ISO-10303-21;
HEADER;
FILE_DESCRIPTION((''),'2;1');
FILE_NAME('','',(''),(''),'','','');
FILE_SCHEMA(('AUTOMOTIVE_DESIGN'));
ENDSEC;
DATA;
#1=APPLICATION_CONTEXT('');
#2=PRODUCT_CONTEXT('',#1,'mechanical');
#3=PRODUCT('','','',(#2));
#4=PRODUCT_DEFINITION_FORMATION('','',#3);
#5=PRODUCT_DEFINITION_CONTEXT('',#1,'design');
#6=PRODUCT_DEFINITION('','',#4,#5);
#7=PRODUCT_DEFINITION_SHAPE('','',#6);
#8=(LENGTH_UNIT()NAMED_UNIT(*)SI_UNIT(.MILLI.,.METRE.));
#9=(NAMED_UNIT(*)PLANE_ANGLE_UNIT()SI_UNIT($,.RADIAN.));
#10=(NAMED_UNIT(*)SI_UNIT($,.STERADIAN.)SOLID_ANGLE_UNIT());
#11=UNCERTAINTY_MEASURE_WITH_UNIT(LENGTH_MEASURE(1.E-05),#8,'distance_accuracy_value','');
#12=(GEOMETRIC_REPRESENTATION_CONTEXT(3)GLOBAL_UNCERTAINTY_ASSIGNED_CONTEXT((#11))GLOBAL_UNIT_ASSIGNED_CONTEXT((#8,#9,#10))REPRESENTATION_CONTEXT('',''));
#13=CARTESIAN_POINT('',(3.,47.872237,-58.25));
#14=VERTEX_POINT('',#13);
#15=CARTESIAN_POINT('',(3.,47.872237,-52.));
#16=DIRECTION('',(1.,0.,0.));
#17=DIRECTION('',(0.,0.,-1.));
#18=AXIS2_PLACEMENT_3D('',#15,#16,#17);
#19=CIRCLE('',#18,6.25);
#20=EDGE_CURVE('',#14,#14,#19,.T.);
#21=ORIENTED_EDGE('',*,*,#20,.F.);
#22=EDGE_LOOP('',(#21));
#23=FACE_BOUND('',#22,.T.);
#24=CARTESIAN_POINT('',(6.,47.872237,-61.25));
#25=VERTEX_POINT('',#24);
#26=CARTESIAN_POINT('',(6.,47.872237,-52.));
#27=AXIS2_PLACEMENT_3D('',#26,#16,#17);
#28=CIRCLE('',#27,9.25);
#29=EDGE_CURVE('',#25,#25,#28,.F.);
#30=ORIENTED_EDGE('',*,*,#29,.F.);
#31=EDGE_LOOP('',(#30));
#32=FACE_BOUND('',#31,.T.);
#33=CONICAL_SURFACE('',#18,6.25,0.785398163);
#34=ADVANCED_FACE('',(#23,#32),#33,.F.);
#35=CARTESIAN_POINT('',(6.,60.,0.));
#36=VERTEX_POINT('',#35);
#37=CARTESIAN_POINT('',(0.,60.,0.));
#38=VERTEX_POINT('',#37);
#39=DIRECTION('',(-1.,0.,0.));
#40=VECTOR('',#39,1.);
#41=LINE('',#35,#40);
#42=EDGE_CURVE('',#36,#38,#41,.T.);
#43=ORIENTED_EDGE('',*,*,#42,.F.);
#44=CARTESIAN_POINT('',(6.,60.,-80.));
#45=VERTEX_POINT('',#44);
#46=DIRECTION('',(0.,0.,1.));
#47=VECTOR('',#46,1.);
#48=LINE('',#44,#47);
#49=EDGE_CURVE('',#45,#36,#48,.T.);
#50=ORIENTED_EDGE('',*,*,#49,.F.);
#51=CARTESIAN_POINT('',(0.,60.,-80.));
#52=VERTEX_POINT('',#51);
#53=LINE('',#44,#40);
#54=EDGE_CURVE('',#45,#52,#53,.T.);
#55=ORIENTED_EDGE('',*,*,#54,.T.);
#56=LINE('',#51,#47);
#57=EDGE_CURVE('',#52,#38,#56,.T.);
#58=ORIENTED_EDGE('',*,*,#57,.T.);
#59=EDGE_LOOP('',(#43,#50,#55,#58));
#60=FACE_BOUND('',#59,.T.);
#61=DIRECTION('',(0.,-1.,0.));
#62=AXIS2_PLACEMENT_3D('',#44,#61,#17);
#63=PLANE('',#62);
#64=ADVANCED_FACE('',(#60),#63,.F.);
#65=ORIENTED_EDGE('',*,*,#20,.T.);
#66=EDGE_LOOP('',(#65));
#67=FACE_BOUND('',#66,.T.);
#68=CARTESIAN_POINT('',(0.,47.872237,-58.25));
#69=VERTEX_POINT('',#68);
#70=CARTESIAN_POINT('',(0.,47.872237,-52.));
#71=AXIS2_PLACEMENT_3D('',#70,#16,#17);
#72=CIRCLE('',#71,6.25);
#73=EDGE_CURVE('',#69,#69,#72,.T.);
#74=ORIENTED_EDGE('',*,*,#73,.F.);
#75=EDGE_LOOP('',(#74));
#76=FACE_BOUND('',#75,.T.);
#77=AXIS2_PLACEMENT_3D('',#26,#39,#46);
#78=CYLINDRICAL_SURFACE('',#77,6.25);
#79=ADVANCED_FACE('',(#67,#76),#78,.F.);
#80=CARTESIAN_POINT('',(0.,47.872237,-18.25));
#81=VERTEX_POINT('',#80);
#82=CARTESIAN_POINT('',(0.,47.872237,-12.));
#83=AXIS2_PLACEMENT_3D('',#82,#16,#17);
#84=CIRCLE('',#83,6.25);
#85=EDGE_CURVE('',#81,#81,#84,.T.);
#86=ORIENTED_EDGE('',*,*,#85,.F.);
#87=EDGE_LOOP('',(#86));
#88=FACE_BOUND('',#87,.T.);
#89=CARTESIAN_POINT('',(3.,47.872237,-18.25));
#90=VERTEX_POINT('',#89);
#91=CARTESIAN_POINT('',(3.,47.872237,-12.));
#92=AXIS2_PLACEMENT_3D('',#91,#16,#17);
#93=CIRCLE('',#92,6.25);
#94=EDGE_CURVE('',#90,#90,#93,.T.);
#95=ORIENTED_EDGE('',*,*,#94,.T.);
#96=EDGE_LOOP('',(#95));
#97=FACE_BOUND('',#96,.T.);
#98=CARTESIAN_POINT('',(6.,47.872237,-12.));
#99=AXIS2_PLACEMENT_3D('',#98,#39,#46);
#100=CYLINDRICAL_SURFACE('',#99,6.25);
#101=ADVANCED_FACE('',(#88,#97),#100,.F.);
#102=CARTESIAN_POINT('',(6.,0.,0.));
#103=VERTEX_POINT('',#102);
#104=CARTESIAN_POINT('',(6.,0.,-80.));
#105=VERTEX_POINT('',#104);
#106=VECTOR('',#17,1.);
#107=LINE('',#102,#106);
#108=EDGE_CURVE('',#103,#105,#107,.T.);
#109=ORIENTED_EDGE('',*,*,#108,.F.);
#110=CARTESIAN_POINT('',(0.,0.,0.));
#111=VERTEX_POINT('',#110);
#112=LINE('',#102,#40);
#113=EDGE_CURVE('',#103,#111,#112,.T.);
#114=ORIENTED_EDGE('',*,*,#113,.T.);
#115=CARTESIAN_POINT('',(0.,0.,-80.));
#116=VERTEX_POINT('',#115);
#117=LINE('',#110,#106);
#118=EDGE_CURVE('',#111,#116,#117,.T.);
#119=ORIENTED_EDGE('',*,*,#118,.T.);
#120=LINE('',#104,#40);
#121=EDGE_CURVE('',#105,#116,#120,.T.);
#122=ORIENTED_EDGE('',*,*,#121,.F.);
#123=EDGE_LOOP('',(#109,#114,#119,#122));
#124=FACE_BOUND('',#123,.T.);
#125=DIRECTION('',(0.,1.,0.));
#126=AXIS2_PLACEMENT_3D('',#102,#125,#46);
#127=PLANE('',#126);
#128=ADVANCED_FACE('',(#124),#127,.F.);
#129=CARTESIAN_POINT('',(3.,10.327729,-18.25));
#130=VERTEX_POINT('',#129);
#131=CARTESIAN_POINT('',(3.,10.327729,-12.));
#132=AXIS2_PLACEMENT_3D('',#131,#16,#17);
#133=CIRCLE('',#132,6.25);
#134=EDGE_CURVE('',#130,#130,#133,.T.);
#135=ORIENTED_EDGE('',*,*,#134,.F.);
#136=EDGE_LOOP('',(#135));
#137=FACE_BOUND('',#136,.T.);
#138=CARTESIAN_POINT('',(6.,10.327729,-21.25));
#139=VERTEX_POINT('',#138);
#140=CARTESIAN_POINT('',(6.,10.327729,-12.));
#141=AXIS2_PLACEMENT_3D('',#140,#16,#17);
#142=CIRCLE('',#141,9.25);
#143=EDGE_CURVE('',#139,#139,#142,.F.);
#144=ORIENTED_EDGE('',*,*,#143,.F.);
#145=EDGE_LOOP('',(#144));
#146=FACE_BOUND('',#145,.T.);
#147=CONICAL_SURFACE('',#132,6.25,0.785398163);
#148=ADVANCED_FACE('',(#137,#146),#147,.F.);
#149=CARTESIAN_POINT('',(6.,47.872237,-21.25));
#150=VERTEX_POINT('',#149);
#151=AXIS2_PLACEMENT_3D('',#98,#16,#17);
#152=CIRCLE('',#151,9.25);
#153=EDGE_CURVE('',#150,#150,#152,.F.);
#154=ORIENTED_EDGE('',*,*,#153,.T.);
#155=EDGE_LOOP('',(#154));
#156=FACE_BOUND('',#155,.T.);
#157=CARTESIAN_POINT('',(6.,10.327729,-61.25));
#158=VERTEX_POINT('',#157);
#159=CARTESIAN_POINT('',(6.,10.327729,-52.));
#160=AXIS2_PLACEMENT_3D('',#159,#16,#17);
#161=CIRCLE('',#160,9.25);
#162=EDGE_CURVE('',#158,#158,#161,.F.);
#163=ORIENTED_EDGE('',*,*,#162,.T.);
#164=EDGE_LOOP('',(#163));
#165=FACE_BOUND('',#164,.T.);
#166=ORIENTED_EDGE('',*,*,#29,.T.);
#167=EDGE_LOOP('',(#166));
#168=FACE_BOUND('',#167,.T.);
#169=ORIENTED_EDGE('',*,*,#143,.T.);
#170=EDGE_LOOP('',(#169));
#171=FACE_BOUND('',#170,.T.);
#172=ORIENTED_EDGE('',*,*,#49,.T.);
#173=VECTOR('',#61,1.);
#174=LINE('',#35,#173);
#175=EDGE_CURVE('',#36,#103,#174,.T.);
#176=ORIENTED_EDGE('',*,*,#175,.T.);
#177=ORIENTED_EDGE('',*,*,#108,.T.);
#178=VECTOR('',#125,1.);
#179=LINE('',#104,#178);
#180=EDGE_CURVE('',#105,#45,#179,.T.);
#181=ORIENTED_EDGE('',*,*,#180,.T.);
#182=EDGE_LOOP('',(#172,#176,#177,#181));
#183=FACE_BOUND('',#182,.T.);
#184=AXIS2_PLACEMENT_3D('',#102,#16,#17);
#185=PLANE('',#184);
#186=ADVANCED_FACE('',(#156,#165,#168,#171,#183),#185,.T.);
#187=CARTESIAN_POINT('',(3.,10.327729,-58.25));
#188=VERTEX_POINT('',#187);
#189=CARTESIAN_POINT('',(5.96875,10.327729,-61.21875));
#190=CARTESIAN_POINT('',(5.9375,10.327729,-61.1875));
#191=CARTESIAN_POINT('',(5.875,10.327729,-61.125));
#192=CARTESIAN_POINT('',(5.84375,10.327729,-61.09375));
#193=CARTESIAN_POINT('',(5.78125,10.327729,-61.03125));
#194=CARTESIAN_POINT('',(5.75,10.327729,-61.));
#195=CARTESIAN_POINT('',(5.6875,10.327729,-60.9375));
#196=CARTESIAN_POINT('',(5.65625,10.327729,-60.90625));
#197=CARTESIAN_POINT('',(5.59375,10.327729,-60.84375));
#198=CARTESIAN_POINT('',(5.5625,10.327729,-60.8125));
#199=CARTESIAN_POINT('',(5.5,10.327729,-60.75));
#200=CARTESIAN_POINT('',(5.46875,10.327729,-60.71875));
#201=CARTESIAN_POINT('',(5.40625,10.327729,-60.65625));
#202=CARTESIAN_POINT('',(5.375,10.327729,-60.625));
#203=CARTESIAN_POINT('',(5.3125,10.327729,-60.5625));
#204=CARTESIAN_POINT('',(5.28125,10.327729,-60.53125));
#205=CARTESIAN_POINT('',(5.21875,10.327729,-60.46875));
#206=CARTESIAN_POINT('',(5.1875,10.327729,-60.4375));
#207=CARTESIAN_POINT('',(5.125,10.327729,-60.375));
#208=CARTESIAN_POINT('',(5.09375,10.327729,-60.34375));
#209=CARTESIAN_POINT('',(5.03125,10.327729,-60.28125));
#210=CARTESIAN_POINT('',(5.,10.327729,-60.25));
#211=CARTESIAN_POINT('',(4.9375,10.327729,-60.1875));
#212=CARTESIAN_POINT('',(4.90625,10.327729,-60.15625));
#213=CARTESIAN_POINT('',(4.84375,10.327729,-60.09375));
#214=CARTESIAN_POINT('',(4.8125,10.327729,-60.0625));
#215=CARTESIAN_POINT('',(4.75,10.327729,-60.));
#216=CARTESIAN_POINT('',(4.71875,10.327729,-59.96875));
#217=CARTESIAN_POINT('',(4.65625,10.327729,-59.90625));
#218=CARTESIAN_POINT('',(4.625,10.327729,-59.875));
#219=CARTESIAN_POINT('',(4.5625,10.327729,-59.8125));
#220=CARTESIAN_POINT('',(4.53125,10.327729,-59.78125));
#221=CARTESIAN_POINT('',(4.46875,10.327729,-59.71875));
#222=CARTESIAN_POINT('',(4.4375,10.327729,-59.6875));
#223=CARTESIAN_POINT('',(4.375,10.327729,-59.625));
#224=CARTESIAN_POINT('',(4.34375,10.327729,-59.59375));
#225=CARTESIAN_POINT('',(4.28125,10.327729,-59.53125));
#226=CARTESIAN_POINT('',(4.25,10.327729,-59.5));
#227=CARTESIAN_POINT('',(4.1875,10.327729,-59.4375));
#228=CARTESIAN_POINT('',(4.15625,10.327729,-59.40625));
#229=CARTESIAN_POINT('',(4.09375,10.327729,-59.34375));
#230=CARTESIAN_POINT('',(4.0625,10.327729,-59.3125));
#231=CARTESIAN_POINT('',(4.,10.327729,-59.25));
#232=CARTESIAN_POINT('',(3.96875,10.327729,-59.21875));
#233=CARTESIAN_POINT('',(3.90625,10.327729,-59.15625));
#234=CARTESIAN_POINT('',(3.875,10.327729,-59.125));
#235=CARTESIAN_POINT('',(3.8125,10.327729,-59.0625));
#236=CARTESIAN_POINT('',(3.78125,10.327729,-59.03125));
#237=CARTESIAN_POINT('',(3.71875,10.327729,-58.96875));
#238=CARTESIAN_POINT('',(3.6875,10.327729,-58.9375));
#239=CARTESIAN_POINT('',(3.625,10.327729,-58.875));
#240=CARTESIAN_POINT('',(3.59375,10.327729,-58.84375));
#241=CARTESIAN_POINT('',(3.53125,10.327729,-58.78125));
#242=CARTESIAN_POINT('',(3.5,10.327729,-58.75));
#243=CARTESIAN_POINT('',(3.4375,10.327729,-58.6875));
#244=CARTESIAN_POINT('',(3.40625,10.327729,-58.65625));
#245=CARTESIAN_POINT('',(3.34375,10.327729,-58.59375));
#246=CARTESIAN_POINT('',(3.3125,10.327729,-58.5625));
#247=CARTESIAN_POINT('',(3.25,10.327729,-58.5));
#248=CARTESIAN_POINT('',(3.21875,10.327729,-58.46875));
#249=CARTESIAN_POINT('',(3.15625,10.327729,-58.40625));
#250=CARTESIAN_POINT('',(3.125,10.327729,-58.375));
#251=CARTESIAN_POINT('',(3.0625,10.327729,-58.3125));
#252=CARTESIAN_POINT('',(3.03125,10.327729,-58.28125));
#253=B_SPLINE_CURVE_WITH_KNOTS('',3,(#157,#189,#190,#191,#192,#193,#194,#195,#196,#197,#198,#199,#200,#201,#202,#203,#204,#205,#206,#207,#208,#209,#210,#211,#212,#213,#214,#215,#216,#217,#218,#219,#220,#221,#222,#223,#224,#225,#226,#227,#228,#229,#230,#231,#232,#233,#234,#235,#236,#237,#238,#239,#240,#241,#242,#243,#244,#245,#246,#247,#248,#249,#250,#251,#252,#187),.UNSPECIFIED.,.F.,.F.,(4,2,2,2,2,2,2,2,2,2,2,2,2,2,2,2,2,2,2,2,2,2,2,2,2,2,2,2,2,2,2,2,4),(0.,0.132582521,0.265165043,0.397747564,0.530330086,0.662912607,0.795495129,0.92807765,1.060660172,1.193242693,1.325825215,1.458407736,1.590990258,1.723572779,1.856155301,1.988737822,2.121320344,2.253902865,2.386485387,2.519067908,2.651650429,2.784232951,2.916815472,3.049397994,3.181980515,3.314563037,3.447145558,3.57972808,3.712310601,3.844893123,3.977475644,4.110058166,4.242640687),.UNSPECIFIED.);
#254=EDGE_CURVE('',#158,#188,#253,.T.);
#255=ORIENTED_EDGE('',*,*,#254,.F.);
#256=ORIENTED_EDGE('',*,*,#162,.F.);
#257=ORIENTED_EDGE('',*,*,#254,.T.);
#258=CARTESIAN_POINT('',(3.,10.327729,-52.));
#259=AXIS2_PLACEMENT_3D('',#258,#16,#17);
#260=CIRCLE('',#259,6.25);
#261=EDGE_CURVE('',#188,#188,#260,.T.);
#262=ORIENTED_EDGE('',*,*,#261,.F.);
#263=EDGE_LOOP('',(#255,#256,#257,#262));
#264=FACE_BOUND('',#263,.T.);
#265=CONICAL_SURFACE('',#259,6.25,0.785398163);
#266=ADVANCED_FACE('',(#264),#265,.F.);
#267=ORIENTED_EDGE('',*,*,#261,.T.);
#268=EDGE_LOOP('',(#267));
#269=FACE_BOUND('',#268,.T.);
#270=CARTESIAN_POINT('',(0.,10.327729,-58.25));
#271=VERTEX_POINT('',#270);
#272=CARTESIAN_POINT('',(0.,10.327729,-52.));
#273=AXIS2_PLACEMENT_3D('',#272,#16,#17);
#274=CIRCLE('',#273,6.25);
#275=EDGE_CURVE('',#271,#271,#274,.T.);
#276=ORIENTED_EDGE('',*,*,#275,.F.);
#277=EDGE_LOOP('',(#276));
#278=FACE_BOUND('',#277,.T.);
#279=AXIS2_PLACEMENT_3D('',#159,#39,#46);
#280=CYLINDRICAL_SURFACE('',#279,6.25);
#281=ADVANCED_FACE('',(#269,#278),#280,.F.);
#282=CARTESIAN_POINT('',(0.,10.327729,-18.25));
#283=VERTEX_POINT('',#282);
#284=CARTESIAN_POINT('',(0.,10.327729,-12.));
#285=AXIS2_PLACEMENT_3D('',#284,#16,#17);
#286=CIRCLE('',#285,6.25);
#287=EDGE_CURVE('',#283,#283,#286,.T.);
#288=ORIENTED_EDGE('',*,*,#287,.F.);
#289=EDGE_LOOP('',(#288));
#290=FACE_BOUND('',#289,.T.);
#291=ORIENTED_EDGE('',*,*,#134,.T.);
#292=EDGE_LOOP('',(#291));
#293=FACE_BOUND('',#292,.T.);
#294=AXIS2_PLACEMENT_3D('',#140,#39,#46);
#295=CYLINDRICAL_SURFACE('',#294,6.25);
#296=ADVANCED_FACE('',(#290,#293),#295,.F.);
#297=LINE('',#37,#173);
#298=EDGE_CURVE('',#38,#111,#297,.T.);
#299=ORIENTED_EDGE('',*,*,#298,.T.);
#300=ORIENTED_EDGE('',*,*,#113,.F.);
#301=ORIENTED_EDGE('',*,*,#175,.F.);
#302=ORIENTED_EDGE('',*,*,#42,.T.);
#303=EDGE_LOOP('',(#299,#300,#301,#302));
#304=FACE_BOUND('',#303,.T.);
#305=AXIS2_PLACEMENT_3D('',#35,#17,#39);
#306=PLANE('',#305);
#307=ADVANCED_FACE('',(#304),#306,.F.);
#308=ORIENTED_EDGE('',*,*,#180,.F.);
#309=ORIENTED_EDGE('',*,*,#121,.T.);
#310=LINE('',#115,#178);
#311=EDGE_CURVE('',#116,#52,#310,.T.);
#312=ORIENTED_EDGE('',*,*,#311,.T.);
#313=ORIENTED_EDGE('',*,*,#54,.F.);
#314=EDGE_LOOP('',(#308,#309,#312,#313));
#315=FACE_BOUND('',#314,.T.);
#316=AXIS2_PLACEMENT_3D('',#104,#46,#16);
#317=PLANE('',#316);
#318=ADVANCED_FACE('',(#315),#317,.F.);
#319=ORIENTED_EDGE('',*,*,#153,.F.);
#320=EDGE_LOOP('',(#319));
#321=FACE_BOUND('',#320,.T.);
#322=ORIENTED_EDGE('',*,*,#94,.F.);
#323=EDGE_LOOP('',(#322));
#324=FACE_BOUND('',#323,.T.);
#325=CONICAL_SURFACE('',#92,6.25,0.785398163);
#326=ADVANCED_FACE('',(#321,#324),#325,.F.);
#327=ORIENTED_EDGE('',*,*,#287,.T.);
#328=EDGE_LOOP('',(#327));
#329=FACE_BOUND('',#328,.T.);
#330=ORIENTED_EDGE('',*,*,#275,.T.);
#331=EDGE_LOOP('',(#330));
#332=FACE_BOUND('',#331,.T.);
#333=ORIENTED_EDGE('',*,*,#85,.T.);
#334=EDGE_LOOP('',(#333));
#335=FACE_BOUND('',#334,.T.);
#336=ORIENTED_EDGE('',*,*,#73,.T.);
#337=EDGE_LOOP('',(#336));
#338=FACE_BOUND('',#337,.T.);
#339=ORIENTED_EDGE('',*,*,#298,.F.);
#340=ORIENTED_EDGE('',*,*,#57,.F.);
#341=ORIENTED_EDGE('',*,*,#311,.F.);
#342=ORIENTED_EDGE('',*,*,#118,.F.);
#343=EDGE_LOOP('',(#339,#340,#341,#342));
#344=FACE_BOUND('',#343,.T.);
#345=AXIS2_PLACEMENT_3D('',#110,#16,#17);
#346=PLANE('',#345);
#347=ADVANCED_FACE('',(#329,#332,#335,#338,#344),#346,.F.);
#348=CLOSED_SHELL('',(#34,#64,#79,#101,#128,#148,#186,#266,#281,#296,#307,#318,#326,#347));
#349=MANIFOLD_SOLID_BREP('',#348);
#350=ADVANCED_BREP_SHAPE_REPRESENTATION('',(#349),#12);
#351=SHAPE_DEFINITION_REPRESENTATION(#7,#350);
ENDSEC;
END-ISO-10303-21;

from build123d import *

# Parameters (mm, degrees)
ESBO_O1_W                = 80
ESBO_O1_H                = 60
ESBO_O1_R                = 6.25
RESSALTO_EXTRUS_O1_DEPTH = 6
CHANFRO1_SIZE            = 3


with BuildPart() as part:
    # Esboço1 → Ressalto-extrusão1 (new body)
    with BuildSketch(Plane(origin=(0, 0, 0), x_dir=(0, 0, -1), z_dir=(1, 0, 0))):
        with Locations((40, 30)):
            Rectangle(ESBO_O1_W, ESBO_O1_H)
        with Locations((12, 10.327729246)):
            Circle(ESBO_O1_R, mode=Mode.SUBTRACT)
        with Locations((12, 47.872237221)):
            Circle(ESBO_O1_R, mode=Mode.SUBTRACT)
        with Locations((52, 47.872237221)):
            Circle(ESBO_O1_R, mode=Mode.SUBTRACT)
        with Locations((52, 10.327729246)):
            Circle(ESBO_O1_R, mode=Mode.SUBTRACT)
    extrude(amount=RESSALTO_EXTRUS_O1_DEPTH)

    # Chanfro1
    chanfro1_edges = [part.edges().sort_by_distance(p)[0] for p in [
        (6, 10.327729246, -5.75),
        (6, 47.872237221, -5.75),
        (6, 47.872237221, -45.75),
        (6, 10.327729246, -45.75),
    ]]
    chamfer(chanfro1_edges, length=CHANFRO1_SIZE)


solid = part.part
